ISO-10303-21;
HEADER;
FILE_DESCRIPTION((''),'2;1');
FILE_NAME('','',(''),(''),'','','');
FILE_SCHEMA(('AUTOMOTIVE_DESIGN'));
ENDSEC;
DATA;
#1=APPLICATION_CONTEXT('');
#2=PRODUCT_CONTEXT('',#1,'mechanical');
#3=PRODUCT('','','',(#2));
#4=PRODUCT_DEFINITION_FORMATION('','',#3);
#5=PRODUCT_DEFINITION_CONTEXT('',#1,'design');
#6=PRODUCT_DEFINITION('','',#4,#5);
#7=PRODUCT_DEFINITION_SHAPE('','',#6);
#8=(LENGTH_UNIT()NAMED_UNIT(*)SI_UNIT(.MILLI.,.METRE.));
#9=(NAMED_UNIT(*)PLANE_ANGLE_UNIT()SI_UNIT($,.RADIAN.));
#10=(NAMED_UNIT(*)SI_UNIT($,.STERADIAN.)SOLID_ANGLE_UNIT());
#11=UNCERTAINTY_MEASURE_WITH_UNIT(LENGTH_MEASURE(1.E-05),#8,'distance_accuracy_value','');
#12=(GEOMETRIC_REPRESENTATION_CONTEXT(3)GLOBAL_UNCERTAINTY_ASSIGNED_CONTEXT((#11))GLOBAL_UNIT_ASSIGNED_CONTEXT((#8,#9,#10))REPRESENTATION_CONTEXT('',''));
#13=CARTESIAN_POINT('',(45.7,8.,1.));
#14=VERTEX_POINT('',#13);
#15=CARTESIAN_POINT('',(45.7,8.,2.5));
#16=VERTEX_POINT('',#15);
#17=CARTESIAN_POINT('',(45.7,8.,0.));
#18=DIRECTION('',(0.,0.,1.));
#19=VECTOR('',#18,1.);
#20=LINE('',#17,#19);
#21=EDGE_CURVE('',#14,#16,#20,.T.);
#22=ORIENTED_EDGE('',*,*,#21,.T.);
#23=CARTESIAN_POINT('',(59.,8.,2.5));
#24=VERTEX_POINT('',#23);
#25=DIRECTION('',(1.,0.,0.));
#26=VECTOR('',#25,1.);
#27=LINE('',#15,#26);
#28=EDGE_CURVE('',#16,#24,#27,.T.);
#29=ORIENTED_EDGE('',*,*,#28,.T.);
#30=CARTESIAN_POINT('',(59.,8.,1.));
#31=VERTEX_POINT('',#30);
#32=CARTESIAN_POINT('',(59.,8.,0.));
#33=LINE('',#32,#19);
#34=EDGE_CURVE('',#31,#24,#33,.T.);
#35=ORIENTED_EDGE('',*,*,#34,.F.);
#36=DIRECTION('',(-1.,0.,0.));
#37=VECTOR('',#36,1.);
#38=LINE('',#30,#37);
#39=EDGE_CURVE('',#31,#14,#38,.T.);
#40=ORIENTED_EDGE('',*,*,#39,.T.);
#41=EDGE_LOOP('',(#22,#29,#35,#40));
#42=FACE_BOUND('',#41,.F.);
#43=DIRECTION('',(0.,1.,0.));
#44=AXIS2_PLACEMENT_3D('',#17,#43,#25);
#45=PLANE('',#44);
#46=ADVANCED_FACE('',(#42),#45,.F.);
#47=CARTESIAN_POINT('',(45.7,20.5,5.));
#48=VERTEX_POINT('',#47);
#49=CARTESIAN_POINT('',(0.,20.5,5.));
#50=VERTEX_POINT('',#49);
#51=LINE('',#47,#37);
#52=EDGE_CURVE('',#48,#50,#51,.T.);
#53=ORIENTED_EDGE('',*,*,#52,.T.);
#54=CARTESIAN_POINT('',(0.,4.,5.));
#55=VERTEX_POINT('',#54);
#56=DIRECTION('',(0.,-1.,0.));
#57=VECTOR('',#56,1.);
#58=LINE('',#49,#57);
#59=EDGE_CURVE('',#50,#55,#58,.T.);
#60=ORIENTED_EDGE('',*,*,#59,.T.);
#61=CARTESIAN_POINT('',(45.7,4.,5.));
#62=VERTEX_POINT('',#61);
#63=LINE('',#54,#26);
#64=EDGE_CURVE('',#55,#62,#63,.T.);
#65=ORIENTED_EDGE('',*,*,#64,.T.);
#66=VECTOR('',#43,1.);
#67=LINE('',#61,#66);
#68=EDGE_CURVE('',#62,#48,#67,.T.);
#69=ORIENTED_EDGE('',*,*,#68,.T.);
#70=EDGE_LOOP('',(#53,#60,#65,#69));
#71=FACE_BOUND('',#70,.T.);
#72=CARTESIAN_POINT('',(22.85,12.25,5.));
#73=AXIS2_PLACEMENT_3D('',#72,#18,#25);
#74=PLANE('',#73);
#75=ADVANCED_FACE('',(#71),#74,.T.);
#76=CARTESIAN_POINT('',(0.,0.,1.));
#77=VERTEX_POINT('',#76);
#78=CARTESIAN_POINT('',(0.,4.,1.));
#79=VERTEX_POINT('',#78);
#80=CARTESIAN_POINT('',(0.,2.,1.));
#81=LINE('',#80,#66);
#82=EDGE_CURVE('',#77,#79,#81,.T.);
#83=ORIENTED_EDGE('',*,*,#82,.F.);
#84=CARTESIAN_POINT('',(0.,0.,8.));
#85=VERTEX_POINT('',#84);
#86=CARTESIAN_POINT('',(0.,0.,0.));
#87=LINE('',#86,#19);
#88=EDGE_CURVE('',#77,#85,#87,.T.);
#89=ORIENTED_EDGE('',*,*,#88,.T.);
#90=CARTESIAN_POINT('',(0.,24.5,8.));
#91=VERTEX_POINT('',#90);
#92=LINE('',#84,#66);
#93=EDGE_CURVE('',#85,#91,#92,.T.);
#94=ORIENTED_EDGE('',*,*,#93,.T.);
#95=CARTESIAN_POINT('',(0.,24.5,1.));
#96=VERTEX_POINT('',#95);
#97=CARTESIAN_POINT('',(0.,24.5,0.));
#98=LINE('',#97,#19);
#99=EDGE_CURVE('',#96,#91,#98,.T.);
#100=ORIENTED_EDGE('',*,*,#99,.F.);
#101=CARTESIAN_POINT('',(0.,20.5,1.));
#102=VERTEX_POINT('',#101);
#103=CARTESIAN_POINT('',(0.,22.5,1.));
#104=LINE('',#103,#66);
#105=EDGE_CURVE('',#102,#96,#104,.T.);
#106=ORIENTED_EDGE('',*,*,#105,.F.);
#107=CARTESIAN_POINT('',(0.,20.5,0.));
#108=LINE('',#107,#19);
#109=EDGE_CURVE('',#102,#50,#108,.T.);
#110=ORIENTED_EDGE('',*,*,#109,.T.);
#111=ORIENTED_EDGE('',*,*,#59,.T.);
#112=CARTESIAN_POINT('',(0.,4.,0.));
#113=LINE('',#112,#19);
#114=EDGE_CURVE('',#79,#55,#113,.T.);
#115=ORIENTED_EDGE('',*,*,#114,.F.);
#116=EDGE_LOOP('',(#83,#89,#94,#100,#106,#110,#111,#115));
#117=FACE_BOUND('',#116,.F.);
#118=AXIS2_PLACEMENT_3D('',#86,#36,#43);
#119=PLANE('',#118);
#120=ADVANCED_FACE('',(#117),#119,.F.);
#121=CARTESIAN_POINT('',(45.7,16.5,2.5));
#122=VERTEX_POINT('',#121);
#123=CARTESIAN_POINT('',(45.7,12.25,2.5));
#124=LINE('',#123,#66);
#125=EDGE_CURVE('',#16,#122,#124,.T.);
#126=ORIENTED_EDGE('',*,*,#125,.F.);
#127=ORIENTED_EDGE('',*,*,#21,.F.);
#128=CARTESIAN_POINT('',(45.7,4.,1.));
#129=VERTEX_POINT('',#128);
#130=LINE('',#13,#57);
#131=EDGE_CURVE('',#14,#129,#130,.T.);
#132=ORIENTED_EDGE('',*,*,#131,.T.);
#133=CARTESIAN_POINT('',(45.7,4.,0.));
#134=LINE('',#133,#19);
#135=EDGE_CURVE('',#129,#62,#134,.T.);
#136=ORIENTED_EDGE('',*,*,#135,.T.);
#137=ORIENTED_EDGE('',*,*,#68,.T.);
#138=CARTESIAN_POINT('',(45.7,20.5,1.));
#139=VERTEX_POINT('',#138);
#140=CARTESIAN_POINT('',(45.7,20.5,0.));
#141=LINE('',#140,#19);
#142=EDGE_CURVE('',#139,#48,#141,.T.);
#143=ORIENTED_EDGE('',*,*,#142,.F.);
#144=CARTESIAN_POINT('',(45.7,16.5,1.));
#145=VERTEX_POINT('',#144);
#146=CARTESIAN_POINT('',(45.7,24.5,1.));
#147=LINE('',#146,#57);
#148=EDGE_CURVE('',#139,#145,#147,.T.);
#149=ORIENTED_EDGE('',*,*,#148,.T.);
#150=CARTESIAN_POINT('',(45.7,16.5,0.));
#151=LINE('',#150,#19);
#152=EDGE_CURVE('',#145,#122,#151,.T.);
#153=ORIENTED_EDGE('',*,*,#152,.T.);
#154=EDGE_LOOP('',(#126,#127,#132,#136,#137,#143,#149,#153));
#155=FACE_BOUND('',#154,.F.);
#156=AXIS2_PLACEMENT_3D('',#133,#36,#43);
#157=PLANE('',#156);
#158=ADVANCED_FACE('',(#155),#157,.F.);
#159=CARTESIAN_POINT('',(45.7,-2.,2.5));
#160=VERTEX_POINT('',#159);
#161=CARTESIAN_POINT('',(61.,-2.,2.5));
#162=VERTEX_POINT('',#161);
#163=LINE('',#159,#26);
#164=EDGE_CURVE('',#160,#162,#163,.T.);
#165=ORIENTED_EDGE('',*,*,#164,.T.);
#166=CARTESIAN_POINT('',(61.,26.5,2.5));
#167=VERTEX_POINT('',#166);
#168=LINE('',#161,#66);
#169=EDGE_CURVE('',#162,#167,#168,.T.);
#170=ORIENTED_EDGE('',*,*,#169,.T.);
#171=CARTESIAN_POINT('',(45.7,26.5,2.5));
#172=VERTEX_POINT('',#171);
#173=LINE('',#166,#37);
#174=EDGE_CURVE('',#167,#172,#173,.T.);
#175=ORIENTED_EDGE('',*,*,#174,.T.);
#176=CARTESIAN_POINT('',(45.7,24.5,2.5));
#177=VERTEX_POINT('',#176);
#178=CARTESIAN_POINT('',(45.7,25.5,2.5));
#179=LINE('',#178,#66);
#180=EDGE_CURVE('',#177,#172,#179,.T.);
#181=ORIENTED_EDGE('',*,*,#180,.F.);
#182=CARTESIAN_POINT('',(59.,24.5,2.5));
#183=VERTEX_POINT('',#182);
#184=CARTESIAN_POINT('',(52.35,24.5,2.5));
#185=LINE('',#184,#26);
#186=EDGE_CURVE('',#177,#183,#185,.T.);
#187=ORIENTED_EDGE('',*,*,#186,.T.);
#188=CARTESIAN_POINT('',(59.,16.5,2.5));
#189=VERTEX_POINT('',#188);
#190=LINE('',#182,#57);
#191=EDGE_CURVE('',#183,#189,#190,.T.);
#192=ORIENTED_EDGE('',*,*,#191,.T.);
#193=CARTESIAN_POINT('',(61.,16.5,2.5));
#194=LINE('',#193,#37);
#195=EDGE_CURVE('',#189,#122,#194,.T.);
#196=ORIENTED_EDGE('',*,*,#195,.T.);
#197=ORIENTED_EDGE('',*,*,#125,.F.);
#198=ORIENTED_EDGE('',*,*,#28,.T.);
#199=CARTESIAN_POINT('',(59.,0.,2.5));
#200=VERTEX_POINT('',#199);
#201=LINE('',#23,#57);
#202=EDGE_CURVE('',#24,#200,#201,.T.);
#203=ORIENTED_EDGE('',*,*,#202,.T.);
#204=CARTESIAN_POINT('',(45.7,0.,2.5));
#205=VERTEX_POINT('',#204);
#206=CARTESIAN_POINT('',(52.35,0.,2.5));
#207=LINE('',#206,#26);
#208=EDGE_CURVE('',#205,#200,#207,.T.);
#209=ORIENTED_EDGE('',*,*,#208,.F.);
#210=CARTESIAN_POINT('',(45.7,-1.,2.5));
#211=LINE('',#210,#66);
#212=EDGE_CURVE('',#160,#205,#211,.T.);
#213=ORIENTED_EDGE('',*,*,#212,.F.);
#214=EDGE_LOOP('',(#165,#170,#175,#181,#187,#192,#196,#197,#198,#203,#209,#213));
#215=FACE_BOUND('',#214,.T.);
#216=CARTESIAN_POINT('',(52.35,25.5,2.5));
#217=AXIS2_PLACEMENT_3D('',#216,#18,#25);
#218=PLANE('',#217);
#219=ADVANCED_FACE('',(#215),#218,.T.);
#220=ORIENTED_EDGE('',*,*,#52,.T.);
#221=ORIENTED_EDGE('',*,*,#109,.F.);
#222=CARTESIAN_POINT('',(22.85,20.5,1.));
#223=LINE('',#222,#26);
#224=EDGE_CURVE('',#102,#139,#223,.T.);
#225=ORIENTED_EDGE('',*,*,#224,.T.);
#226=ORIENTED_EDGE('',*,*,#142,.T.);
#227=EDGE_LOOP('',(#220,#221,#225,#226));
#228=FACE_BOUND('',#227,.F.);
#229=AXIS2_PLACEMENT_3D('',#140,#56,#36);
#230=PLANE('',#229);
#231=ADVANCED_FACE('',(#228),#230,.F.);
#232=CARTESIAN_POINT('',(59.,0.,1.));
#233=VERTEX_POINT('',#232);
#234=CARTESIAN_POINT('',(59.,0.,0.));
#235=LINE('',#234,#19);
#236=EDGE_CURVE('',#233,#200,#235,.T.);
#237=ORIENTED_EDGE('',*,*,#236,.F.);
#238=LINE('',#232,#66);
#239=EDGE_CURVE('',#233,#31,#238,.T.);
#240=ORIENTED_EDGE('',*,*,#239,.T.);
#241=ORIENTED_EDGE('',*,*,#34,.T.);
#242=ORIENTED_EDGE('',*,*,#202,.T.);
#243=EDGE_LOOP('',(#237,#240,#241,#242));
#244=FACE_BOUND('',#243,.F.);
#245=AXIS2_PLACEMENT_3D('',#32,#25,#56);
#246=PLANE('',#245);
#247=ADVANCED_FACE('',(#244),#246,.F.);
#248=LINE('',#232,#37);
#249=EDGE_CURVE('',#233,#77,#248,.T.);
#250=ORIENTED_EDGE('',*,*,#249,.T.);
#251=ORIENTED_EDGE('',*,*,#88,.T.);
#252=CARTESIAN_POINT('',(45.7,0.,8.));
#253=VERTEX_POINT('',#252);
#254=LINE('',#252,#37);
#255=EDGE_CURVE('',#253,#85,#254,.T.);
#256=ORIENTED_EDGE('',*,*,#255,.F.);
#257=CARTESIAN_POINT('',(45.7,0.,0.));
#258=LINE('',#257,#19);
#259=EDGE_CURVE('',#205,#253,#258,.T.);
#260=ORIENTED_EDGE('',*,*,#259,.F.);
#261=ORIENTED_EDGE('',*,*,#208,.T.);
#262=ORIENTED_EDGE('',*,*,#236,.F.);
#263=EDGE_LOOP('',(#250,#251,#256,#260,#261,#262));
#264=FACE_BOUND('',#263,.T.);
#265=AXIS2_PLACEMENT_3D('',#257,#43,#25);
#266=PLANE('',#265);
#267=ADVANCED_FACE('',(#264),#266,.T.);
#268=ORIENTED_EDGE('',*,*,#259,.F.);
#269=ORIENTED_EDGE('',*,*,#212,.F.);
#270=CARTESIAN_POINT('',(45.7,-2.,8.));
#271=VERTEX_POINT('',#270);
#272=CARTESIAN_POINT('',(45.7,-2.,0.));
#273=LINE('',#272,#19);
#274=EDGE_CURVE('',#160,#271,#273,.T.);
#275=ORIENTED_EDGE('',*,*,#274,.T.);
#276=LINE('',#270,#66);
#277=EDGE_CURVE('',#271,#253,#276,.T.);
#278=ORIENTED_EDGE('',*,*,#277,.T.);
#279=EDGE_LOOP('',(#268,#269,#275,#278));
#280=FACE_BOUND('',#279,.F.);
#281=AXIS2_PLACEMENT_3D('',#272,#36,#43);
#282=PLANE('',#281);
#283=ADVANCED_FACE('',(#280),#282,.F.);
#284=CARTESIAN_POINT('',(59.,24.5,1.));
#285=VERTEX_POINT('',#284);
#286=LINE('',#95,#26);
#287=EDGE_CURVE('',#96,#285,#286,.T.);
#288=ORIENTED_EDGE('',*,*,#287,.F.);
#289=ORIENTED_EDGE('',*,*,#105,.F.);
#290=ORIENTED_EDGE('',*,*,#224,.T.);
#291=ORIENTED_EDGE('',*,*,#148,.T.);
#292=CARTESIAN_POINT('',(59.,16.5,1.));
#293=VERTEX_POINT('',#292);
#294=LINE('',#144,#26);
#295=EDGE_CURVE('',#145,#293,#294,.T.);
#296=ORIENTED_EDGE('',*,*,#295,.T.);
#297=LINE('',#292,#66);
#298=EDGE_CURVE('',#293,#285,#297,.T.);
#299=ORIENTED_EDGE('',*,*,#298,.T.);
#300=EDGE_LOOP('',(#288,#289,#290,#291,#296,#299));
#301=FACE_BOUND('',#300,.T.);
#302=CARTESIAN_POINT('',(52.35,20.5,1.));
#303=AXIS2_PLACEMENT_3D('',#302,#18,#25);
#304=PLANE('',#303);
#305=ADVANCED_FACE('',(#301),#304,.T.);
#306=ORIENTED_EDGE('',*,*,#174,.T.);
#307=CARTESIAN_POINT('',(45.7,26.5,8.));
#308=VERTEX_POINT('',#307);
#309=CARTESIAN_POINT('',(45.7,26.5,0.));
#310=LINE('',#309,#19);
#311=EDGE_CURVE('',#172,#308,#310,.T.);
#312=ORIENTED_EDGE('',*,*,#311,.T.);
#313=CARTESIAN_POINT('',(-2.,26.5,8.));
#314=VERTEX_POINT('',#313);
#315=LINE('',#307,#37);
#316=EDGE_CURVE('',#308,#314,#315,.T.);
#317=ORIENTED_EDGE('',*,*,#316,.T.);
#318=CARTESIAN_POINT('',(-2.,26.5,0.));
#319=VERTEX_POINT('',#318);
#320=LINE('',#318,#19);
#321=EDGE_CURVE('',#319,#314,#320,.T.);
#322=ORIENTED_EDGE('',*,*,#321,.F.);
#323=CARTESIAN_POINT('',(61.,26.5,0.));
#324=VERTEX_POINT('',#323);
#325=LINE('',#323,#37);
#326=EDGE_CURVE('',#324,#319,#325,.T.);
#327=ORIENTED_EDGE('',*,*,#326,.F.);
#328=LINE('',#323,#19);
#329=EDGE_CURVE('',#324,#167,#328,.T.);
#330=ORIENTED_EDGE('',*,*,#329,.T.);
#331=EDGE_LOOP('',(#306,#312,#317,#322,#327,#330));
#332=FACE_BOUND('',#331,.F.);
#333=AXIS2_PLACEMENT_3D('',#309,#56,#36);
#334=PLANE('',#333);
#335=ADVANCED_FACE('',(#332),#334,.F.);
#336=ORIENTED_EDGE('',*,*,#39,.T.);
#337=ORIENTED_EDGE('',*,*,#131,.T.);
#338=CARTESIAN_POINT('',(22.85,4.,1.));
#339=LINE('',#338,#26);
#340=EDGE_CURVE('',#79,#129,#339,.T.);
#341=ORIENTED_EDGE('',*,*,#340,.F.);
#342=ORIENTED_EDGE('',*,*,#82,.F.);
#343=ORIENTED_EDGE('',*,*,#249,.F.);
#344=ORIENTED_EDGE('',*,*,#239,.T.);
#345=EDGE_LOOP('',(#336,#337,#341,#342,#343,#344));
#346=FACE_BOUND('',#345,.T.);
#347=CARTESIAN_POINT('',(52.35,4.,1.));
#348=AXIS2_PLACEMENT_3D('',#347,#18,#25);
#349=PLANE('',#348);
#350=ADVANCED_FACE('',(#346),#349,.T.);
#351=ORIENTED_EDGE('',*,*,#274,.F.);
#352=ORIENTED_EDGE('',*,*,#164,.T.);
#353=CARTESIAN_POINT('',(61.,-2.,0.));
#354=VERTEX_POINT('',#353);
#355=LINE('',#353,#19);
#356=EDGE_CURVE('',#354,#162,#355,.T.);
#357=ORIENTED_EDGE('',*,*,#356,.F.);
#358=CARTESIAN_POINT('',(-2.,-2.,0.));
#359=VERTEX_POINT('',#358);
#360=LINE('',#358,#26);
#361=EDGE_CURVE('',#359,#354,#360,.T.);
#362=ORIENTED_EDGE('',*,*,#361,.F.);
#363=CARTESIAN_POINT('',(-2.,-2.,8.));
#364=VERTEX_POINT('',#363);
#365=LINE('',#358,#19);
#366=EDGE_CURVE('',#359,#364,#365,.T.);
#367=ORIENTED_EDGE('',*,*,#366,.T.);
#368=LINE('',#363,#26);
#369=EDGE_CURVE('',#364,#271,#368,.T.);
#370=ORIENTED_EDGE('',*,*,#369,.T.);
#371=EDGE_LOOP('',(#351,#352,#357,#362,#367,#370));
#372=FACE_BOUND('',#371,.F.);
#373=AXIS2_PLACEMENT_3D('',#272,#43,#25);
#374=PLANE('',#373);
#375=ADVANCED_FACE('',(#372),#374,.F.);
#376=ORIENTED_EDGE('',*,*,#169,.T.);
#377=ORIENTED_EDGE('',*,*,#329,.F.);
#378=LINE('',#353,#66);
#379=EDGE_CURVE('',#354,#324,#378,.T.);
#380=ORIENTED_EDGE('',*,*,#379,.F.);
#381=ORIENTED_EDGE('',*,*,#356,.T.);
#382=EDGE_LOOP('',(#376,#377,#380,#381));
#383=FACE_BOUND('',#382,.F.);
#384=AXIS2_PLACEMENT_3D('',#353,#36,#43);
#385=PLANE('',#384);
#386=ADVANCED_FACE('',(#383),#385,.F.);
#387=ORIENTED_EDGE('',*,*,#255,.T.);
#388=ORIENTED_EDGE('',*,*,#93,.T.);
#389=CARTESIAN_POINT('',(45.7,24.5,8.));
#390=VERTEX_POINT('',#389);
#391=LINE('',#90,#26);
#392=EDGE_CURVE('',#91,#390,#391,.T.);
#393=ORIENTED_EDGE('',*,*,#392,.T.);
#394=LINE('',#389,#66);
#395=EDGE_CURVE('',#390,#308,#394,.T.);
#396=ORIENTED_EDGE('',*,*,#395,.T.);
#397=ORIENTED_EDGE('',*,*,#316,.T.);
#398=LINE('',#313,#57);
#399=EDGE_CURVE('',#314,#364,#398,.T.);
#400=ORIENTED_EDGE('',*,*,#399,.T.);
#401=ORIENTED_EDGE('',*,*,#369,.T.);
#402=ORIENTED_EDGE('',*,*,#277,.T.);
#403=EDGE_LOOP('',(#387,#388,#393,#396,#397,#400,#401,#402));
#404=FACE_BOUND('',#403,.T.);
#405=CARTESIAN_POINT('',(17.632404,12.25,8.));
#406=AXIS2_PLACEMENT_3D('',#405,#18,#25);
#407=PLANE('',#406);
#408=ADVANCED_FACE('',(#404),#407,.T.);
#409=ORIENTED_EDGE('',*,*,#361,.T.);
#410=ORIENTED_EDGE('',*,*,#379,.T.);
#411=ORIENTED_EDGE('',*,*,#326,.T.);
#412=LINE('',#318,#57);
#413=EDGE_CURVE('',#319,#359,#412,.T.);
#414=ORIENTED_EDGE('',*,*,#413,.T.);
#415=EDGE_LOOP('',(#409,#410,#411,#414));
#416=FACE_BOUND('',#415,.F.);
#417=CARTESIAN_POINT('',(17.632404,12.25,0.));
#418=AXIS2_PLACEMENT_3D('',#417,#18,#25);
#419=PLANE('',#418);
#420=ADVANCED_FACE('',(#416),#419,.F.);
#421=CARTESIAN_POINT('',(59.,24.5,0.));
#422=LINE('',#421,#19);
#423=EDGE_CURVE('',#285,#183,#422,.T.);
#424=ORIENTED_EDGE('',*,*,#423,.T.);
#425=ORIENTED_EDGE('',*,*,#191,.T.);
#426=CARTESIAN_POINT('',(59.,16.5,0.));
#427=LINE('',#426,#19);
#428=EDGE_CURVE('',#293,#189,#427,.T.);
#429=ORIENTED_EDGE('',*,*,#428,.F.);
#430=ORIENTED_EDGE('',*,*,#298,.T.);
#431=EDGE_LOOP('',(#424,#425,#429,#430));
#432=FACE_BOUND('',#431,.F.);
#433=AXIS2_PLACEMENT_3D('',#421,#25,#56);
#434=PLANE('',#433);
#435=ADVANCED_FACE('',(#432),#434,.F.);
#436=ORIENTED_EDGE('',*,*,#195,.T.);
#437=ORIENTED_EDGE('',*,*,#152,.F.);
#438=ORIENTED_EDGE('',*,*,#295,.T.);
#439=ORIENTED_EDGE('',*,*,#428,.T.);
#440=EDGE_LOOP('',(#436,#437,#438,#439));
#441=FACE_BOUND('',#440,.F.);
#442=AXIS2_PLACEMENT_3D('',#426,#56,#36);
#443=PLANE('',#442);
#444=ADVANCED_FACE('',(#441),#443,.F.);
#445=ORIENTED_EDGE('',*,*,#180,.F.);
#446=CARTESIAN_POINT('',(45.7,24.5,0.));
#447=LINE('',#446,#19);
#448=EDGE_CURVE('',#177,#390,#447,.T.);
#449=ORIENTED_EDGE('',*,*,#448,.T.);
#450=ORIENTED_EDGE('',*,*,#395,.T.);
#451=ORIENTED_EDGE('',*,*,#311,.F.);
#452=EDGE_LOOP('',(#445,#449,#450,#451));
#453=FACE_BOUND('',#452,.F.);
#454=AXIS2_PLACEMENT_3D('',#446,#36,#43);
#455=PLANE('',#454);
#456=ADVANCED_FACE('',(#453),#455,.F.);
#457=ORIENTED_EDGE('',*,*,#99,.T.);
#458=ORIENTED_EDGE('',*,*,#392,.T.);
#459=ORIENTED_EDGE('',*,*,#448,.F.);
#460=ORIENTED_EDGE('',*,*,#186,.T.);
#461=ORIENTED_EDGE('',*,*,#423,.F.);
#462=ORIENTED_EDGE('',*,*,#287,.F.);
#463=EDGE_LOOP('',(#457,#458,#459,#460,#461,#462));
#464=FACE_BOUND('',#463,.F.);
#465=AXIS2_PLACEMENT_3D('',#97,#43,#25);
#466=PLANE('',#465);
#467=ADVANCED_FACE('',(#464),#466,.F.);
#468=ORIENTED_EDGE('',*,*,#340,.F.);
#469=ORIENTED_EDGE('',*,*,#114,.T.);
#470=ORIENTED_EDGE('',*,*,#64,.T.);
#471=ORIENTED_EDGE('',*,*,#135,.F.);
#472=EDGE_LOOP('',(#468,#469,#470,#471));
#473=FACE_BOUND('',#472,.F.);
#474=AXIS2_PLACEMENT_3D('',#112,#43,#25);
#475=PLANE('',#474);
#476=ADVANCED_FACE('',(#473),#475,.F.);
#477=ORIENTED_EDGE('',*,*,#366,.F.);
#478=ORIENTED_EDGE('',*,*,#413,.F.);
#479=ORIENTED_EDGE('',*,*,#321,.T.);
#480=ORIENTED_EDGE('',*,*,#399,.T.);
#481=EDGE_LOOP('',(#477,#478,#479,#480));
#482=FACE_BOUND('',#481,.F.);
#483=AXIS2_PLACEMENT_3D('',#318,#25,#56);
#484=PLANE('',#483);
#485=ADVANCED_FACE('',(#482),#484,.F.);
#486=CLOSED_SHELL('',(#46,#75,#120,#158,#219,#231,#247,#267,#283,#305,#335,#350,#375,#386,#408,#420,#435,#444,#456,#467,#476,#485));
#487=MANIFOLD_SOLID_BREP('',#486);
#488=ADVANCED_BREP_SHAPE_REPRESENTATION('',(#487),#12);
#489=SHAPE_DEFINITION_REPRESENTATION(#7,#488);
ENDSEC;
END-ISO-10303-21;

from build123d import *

# Parameters (mm, degrees)
F0_W     = 45.7
F0_H     = 4
F1_DEPTH = 1
F0_W_2   = 13.3
F0_H_2   = 2
F0_H_3   = 8.5
F0_W_3   = 2
F2_DEPTH = 2.5
F3_DEPTH = 5
F4_DEPTH = 8


with BuildPart() as f1:
    # F0 (on Top) → F1 (new body)
    with BuildSketch(Plane.XY):
        Polygon((59, 16.5), (59, 24.5), (45.7, 24.5), (45.7, 20.5), (45.7, 16.5), align=None)
        with Locations((22.85, 22.5)):
            Rectangle(F0_W, F0_H)
    extrude(amount=F1_DEPTH)



with BuildPart() as f1b:
    # F0 (on Top) → F1, piece 2 (new body)
    with BuildSketch(Plane.XY):
        Polygon((59, 0), (59, 8), (45.7, 8), (45.7, 4), (45.7, 0), align=None)
        with Locations((22.85, 2)):
            Rectangle(F0_W, F0_H)
    extrude(amount=F1_DEPTH)


with BuildPart() as f1_1:
    add(f1.part)

    add(f1b.part)  # F2 merges F1b
    # F0 (on Top) → F2 (join)
    with BuildSketch(Plane.XY):
        with Locations((52.35, 25.5)):
            Rectangle(F0_W_2, F0_H_2)
        with Locations((52.35, 12.25)):
            Rectangle(F0_W_2, F0_H_3)
        with Locations((52.35, -1)):
            Rectangle(F0_W_2, F0_H_2)
        with Locations((60, 12.25)):
            Rectangle(F0_W_3, F0_H_3)
        Polygon((61, -2), (61, 8), (59, 8), (59, 0), (59, -2), align=None)
        Polygon((61, 26.5), (59, 26.5), (59, 24.5), (59, 16.5), (61, 16.5), align=None)
    extrude(amount=F2_DEPTH)

    # F0 (on Top) → F3 (join)
    with BuildSketch(Plane.XY):
        Polygon((45.7, 8), (45.7, 16.5), (45.7, 20.5), (0, 20.5), (0, 4), (45.7, 4), align=None)
    extrude(amount=F3_DEPTH)

    # F0 (on Top) → F4 (join)
    with BuildSketch(Plane.XY):
        Polygon((45.7, 24.5), (45.7, 26.5), (-2, 26.5), (-2, -2), (45.7, -2), (45.7, 0), (0, 0), (0, 4), (0, 20.5), (0, 24.5), align=None)
    extrude(amount=F4_DEPTH)


solid = f1_1.part
